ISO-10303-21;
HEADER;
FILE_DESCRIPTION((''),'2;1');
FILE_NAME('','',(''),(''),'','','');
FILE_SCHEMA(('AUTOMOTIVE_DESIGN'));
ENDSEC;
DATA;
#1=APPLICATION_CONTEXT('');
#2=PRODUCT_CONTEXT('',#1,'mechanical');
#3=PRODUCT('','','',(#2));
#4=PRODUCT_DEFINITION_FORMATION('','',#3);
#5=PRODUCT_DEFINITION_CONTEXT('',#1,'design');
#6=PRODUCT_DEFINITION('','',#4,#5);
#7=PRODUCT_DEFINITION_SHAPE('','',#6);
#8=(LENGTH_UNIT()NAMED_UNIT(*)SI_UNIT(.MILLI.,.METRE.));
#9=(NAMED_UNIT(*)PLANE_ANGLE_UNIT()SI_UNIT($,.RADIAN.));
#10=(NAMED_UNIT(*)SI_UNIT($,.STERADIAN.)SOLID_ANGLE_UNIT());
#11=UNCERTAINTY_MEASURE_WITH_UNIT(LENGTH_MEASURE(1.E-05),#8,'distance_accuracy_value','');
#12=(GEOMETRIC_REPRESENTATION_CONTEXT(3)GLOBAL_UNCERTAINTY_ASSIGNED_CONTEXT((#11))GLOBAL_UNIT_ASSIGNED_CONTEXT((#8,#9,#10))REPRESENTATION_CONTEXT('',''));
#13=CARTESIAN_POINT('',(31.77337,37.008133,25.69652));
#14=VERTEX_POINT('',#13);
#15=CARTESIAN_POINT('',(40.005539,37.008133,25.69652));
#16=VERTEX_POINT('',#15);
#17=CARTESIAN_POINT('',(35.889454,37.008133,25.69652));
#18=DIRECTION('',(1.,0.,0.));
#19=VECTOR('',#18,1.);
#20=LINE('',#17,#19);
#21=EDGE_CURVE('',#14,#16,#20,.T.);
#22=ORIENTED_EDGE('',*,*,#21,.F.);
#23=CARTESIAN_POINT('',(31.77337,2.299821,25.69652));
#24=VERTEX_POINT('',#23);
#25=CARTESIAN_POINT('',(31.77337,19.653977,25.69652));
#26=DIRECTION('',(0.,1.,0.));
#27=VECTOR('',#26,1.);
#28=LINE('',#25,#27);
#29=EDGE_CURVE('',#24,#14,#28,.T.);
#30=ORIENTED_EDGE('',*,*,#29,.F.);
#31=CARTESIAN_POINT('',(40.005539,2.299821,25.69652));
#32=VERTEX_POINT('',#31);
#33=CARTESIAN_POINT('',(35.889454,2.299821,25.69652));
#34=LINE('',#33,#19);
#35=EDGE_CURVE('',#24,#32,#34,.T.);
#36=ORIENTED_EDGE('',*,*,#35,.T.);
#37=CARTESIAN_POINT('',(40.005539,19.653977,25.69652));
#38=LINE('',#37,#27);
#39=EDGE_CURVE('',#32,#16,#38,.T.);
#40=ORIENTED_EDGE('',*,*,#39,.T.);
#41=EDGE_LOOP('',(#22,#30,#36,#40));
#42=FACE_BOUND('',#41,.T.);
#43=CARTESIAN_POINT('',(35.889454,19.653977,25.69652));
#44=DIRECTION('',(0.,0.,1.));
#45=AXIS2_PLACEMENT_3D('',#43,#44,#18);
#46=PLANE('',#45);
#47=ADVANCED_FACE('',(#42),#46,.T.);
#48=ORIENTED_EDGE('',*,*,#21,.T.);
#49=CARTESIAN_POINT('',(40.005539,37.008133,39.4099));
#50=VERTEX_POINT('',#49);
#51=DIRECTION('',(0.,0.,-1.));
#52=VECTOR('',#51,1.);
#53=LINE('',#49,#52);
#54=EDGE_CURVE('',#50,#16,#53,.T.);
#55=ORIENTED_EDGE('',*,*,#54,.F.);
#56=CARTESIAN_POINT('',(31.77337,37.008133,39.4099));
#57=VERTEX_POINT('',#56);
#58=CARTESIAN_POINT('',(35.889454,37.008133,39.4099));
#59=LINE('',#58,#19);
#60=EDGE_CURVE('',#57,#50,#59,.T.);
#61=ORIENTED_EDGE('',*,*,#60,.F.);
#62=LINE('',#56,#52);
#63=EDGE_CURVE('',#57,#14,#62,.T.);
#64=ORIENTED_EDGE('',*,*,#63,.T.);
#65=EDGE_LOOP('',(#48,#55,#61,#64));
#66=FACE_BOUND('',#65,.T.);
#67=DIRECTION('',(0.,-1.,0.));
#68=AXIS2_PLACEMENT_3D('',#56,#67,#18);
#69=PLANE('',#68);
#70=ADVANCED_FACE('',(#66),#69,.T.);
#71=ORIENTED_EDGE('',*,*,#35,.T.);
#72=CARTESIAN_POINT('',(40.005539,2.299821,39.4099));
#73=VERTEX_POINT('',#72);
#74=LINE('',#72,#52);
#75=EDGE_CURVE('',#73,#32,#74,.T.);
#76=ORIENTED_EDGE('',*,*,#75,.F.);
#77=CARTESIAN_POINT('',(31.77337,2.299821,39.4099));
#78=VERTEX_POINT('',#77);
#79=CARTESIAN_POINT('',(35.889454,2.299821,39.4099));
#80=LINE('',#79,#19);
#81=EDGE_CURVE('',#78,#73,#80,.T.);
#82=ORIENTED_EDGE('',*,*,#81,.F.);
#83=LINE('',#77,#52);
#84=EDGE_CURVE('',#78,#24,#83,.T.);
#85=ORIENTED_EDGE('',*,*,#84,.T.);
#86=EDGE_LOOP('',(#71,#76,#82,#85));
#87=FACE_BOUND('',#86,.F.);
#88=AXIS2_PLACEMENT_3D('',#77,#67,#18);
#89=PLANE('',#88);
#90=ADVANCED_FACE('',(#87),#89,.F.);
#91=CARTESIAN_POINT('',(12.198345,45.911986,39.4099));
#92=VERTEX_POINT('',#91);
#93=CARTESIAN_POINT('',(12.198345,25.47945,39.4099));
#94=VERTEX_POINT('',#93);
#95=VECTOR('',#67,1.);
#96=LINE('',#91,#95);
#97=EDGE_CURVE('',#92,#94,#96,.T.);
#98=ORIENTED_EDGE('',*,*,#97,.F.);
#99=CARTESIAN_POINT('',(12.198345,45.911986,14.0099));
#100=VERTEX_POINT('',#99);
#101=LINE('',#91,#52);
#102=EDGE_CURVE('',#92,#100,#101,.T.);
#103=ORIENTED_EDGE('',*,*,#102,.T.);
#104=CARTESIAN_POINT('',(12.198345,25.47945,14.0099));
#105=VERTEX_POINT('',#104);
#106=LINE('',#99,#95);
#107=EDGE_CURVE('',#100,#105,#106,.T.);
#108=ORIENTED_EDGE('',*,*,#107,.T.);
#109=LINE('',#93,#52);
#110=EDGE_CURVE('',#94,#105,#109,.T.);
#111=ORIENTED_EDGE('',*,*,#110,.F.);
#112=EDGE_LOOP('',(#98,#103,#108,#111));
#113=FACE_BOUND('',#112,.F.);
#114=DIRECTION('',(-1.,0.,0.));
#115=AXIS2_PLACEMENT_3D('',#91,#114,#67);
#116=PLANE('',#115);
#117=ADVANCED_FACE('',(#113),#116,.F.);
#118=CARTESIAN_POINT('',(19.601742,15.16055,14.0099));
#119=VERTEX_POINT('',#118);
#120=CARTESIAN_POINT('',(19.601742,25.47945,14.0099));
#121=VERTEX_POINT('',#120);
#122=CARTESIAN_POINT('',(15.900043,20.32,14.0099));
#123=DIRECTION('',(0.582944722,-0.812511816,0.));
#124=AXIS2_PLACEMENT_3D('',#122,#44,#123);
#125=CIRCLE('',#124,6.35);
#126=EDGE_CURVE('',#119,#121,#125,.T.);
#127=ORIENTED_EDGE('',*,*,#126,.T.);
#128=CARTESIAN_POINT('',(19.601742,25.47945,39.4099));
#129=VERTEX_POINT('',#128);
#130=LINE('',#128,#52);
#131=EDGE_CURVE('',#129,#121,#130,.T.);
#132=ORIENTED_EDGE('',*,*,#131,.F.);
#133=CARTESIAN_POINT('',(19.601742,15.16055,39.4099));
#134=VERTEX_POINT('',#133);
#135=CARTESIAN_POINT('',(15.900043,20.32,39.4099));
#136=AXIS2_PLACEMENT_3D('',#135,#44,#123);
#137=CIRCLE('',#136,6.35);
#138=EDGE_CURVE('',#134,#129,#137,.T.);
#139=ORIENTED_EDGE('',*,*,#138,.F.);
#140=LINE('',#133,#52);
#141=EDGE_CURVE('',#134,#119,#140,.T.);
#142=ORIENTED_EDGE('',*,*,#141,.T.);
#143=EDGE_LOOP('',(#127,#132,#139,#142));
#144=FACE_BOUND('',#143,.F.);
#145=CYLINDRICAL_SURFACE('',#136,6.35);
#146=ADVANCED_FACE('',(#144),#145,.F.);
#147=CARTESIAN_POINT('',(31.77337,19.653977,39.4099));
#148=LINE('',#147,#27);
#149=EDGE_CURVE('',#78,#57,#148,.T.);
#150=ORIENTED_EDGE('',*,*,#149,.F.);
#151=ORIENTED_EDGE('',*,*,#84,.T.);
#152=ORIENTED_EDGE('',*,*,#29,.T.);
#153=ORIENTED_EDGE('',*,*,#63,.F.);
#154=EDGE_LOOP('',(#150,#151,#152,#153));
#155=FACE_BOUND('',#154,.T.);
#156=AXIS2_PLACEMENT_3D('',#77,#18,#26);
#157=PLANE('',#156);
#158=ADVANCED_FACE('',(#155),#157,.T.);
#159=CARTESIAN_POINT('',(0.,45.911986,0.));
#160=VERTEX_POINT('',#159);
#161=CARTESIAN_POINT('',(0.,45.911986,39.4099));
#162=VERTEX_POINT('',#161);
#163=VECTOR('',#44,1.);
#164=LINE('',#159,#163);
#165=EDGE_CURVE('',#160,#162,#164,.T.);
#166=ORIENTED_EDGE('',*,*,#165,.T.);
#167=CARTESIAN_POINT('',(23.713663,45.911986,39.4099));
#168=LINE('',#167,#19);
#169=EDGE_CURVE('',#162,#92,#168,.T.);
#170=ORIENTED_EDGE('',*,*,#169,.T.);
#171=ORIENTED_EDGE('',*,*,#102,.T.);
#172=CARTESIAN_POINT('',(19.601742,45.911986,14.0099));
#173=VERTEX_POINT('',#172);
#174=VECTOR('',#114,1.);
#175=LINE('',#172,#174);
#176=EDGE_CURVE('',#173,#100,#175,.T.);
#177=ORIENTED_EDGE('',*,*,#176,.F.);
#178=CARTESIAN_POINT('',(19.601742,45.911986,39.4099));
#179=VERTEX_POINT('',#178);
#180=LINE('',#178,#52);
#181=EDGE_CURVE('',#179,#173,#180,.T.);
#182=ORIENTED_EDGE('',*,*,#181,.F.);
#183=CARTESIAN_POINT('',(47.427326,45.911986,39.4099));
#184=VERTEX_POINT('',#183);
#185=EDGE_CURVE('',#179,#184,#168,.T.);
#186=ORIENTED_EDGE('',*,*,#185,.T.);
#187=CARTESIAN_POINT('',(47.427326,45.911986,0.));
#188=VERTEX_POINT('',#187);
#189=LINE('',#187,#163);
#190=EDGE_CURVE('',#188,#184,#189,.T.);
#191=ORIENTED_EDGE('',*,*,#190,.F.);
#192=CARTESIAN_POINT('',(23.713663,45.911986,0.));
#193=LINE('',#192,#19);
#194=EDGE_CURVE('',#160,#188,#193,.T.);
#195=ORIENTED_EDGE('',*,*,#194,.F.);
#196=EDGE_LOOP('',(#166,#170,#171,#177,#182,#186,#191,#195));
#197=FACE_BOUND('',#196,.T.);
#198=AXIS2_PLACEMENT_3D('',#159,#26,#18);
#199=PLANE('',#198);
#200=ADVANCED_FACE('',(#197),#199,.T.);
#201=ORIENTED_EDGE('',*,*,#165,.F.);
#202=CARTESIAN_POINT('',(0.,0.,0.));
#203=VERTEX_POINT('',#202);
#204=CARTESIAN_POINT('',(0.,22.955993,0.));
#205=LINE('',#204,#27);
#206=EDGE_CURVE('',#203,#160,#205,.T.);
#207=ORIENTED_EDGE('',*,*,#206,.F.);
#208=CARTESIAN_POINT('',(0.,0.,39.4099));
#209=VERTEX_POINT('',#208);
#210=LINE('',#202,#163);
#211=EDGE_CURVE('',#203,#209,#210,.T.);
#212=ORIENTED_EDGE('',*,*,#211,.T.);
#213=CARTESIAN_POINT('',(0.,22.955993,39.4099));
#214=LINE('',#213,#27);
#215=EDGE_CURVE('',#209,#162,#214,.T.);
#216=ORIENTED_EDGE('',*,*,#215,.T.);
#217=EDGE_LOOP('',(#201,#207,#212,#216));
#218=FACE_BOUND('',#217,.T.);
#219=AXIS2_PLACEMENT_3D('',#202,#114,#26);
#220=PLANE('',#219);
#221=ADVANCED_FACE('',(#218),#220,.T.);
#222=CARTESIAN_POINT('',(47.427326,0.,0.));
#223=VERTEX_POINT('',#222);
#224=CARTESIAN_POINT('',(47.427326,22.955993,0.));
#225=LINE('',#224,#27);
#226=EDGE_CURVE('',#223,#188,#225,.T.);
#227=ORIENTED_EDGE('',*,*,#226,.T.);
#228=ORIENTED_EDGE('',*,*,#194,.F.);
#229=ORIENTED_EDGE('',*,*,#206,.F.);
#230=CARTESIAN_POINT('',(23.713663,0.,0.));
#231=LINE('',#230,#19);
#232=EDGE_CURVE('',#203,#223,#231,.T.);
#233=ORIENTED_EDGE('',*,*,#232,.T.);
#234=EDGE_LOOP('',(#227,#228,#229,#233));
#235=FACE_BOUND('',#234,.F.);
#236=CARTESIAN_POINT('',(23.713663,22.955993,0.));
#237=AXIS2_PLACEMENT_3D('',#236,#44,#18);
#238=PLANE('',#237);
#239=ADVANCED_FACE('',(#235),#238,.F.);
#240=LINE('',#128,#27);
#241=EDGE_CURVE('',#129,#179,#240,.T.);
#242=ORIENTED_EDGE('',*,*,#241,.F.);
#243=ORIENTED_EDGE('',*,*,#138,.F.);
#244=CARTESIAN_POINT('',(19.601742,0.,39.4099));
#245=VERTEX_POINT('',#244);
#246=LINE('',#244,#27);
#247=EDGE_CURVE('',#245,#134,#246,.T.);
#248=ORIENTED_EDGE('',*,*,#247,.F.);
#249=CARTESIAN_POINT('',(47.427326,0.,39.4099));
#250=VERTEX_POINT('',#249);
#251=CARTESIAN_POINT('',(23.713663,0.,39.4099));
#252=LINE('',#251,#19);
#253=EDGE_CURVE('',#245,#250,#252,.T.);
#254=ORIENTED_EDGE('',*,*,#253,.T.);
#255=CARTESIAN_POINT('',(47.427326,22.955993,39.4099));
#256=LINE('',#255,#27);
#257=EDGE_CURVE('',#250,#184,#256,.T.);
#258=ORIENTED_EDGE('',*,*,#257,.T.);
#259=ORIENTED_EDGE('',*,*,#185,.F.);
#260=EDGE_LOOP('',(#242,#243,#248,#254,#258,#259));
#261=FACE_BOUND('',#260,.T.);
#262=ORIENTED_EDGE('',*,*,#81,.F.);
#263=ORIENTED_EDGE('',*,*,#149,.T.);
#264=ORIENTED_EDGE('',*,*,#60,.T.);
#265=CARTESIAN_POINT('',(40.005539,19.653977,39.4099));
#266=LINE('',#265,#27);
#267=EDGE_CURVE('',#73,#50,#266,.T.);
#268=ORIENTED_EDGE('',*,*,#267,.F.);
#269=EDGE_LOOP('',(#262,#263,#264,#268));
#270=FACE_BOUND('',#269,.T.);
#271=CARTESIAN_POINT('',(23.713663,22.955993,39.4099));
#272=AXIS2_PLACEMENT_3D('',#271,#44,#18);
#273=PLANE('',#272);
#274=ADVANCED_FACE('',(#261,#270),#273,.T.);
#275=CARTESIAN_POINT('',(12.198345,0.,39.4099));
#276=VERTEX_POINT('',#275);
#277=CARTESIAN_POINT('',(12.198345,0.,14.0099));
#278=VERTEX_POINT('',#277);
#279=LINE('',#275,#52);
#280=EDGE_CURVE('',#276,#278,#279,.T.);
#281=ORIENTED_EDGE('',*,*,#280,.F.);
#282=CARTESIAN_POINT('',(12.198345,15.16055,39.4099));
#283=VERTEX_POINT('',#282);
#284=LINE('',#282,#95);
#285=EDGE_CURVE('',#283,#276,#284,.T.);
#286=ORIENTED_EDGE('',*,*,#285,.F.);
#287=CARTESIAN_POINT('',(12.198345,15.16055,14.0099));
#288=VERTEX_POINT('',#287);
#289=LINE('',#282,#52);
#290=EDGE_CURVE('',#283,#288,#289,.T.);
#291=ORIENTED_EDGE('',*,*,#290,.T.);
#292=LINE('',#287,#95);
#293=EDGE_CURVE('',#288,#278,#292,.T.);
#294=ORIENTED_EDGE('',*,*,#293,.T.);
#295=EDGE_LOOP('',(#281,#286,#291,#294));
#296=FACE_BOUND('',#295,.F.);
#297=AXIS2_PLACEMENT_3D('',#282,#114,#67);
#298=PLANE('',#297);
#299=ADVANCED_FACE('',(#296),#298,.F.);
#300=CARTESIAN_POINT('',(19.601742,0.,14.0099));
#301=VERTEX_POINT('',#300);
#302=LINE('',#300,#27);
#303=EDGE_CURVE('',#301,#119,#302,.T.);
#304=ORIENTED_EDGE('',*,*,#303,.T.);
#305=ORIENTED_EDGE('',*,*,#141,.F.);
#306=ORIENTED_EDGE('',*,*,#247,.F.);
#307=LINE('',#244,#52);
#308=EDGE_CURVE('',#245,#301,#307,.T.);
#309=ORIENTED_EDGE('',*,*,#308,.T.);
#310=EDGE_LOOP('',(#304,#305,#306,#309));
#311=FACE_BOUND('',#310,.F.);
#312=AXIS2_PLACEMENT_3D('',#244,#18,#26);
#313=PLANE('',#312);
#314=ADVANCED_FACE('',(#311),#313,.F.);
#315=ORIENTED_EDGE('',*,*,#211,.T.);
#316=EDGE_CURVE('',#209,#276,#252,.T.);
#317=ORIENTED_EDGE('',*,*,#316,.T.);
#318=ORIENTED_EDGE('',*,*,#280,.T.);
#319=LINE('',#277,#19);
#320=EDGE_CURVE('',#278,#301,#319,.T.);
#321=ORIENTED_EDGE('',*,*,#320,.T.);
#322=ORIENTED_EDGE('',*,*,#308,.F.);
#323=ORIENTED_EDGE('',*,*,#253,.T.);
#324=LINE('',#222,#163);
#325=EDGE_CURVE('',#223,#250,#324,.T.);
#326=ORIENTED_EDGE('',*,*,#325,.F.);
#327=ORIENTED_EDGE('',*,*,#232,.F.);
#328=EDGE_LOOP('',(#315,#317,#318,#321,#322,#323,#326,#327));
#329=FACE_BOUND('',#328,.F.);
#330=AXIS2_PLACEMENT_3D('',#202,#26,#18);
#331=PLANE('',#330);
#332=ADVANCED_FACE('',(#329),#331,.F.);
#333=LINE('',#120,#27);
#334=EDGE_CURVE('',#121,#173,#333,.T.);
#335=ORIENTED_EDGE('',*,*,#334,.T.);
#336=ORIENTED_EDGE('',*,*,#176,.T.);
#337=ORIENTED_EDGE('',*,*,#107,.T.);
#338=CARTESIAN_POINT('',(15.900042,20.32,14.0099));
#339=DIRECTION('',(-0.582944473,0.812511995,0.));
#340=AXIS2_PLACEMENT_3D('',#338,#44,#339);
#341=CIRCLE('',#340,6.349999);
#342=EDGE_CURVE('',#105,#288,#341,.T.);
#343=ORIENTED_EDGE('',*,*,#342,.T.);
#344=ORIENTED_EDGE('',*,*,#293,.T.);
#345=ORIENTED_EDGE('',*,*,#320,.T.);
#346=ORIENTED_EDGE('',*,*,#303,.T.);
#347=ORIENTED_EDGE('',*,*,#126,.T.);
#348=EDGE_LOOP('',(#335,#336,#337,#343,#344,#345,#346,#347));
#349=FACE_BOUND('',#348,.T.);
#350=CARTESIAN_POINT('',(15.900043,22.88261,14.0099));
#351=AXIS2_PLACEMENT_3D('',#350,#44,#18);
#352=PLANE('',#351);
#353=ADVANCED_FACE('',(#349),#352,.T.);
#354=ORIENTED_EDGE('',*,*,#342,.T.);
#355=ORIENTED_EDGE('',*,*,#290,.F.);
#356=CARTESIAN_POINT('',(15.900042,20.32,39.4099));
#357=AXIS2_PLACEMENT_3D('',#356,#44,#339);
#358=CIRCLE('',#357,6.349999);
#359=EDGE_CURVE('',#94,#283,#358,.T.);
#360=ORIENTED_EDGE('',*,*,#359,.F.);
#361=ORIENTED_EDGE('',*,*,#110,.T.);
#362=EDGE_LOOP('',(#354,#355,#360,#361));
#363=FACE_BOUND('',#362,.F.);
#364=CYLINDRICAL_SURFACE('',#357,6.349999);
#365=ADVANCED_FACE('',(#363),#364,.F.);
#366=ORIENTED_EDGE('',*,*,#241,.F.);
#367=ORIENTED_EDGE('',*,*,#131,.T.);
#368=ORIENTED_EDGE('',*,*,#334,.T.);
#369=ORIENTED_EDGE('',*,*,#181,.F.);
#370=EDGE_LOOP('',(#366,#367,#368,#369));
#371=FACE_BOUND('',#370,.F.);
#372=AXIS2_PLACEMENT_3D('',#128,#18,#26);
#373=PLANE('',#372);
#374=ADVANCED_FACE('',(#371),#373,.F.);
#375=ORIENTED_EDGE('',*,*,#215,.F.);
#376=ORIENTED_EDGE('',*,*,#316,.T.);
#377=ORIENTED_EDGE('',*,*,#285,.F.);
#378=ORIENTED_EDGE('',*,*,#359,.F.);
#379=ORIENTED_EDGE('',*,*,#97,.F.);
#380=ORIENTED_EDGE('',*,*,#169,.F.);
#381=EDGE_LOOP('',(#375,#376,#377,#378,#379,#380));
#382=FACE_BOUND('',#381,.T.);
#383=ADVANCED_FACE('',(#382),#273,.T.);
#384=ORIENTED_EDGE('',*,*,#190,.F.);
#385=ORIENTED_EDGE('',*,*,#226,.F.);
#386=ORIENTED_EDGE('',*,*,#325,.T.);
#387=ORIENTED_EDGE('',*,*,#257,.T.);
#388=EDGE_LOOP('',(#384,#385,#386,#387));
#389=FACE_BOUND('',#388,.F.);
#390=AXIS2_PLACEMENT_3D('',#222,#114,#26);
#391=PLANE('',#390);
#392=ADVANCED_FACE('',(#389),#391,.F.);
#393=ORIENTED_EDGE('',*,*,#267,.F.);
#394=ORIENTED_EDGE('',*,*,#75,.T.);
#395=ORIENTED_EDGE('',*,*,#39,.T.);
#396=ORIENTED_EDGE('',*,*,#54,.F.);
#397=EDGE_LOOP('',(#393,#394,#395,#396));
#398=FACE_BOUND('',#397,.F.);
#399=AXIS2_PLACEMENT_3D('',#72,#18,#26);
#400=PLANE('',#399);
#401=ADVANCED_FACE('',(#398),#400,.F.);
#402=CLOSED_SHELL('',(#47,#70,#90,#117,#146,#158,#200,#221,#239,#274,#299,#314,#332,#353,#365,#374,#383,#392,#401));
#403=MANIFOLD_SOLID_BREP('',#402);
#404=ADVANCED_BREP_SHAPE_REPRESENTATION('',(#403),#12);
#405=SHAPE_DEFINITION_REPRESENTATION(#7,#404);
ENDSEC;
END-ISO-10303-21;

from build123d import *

# Parameters (mm, degrees)
F0_W     = 47.427326
F0_H     = 45.911986
F1_DEPTH = 39.4099
F2_W     = 8.232169
F2_H     = 34.708312
F3_DEPTH = 13.71338
F5_DEPTH = 25.4


with BuildPart() as f1:
    # F0 (on Top) → F1 (new body)
    with BuildSketch(Plane.XY):
        with Locations((23.713663, 22.955993)):
            Rectangle(F0_W, F0_H)
    extrude(amount=F1_DEPTH)

    # F2 (on face) → F3 (cut)
    with BuildSketch(Plane.XY.offset(39.4099)):
        with Locations((35.889454, 19.653977)):
            Rectangle(F2_W, F2_H)
    extrude(amount=-F3_DEPTH, mode=Mode.SUBTRACT)

    # F4 (on face) → F5 (cut)
    with BuildSketch(Plane.XY.offset(39.4099)):
        with BuildLine():
            Line((12.198345, 45.911986), (12.198345, 25.47945))
            ThreePointArc((12.198345, 25.47945), (9.550043, 20.32), (12.198345, 15.16055))
            Line((12.198345, 15.16055), (12.198345, 0))
            Line((12.198345, 0), (19.601742, 0))
            Line((19.601742, 0), (19.601742, 15.16055))
            ThreePointArc((19.601742, 15.16055), (22.250043, 20.32), (19.601742, 25.47945))
            Line((19.601742, 25.47945), (19.601742, 45.911986))
            Line((19.601742, 45.911986), (12.198345, 45.911986))
        make_face()
    extrude(amount=-F5_DEPTH, mode=Mode.SUBTRACT)


solid = f1.part
